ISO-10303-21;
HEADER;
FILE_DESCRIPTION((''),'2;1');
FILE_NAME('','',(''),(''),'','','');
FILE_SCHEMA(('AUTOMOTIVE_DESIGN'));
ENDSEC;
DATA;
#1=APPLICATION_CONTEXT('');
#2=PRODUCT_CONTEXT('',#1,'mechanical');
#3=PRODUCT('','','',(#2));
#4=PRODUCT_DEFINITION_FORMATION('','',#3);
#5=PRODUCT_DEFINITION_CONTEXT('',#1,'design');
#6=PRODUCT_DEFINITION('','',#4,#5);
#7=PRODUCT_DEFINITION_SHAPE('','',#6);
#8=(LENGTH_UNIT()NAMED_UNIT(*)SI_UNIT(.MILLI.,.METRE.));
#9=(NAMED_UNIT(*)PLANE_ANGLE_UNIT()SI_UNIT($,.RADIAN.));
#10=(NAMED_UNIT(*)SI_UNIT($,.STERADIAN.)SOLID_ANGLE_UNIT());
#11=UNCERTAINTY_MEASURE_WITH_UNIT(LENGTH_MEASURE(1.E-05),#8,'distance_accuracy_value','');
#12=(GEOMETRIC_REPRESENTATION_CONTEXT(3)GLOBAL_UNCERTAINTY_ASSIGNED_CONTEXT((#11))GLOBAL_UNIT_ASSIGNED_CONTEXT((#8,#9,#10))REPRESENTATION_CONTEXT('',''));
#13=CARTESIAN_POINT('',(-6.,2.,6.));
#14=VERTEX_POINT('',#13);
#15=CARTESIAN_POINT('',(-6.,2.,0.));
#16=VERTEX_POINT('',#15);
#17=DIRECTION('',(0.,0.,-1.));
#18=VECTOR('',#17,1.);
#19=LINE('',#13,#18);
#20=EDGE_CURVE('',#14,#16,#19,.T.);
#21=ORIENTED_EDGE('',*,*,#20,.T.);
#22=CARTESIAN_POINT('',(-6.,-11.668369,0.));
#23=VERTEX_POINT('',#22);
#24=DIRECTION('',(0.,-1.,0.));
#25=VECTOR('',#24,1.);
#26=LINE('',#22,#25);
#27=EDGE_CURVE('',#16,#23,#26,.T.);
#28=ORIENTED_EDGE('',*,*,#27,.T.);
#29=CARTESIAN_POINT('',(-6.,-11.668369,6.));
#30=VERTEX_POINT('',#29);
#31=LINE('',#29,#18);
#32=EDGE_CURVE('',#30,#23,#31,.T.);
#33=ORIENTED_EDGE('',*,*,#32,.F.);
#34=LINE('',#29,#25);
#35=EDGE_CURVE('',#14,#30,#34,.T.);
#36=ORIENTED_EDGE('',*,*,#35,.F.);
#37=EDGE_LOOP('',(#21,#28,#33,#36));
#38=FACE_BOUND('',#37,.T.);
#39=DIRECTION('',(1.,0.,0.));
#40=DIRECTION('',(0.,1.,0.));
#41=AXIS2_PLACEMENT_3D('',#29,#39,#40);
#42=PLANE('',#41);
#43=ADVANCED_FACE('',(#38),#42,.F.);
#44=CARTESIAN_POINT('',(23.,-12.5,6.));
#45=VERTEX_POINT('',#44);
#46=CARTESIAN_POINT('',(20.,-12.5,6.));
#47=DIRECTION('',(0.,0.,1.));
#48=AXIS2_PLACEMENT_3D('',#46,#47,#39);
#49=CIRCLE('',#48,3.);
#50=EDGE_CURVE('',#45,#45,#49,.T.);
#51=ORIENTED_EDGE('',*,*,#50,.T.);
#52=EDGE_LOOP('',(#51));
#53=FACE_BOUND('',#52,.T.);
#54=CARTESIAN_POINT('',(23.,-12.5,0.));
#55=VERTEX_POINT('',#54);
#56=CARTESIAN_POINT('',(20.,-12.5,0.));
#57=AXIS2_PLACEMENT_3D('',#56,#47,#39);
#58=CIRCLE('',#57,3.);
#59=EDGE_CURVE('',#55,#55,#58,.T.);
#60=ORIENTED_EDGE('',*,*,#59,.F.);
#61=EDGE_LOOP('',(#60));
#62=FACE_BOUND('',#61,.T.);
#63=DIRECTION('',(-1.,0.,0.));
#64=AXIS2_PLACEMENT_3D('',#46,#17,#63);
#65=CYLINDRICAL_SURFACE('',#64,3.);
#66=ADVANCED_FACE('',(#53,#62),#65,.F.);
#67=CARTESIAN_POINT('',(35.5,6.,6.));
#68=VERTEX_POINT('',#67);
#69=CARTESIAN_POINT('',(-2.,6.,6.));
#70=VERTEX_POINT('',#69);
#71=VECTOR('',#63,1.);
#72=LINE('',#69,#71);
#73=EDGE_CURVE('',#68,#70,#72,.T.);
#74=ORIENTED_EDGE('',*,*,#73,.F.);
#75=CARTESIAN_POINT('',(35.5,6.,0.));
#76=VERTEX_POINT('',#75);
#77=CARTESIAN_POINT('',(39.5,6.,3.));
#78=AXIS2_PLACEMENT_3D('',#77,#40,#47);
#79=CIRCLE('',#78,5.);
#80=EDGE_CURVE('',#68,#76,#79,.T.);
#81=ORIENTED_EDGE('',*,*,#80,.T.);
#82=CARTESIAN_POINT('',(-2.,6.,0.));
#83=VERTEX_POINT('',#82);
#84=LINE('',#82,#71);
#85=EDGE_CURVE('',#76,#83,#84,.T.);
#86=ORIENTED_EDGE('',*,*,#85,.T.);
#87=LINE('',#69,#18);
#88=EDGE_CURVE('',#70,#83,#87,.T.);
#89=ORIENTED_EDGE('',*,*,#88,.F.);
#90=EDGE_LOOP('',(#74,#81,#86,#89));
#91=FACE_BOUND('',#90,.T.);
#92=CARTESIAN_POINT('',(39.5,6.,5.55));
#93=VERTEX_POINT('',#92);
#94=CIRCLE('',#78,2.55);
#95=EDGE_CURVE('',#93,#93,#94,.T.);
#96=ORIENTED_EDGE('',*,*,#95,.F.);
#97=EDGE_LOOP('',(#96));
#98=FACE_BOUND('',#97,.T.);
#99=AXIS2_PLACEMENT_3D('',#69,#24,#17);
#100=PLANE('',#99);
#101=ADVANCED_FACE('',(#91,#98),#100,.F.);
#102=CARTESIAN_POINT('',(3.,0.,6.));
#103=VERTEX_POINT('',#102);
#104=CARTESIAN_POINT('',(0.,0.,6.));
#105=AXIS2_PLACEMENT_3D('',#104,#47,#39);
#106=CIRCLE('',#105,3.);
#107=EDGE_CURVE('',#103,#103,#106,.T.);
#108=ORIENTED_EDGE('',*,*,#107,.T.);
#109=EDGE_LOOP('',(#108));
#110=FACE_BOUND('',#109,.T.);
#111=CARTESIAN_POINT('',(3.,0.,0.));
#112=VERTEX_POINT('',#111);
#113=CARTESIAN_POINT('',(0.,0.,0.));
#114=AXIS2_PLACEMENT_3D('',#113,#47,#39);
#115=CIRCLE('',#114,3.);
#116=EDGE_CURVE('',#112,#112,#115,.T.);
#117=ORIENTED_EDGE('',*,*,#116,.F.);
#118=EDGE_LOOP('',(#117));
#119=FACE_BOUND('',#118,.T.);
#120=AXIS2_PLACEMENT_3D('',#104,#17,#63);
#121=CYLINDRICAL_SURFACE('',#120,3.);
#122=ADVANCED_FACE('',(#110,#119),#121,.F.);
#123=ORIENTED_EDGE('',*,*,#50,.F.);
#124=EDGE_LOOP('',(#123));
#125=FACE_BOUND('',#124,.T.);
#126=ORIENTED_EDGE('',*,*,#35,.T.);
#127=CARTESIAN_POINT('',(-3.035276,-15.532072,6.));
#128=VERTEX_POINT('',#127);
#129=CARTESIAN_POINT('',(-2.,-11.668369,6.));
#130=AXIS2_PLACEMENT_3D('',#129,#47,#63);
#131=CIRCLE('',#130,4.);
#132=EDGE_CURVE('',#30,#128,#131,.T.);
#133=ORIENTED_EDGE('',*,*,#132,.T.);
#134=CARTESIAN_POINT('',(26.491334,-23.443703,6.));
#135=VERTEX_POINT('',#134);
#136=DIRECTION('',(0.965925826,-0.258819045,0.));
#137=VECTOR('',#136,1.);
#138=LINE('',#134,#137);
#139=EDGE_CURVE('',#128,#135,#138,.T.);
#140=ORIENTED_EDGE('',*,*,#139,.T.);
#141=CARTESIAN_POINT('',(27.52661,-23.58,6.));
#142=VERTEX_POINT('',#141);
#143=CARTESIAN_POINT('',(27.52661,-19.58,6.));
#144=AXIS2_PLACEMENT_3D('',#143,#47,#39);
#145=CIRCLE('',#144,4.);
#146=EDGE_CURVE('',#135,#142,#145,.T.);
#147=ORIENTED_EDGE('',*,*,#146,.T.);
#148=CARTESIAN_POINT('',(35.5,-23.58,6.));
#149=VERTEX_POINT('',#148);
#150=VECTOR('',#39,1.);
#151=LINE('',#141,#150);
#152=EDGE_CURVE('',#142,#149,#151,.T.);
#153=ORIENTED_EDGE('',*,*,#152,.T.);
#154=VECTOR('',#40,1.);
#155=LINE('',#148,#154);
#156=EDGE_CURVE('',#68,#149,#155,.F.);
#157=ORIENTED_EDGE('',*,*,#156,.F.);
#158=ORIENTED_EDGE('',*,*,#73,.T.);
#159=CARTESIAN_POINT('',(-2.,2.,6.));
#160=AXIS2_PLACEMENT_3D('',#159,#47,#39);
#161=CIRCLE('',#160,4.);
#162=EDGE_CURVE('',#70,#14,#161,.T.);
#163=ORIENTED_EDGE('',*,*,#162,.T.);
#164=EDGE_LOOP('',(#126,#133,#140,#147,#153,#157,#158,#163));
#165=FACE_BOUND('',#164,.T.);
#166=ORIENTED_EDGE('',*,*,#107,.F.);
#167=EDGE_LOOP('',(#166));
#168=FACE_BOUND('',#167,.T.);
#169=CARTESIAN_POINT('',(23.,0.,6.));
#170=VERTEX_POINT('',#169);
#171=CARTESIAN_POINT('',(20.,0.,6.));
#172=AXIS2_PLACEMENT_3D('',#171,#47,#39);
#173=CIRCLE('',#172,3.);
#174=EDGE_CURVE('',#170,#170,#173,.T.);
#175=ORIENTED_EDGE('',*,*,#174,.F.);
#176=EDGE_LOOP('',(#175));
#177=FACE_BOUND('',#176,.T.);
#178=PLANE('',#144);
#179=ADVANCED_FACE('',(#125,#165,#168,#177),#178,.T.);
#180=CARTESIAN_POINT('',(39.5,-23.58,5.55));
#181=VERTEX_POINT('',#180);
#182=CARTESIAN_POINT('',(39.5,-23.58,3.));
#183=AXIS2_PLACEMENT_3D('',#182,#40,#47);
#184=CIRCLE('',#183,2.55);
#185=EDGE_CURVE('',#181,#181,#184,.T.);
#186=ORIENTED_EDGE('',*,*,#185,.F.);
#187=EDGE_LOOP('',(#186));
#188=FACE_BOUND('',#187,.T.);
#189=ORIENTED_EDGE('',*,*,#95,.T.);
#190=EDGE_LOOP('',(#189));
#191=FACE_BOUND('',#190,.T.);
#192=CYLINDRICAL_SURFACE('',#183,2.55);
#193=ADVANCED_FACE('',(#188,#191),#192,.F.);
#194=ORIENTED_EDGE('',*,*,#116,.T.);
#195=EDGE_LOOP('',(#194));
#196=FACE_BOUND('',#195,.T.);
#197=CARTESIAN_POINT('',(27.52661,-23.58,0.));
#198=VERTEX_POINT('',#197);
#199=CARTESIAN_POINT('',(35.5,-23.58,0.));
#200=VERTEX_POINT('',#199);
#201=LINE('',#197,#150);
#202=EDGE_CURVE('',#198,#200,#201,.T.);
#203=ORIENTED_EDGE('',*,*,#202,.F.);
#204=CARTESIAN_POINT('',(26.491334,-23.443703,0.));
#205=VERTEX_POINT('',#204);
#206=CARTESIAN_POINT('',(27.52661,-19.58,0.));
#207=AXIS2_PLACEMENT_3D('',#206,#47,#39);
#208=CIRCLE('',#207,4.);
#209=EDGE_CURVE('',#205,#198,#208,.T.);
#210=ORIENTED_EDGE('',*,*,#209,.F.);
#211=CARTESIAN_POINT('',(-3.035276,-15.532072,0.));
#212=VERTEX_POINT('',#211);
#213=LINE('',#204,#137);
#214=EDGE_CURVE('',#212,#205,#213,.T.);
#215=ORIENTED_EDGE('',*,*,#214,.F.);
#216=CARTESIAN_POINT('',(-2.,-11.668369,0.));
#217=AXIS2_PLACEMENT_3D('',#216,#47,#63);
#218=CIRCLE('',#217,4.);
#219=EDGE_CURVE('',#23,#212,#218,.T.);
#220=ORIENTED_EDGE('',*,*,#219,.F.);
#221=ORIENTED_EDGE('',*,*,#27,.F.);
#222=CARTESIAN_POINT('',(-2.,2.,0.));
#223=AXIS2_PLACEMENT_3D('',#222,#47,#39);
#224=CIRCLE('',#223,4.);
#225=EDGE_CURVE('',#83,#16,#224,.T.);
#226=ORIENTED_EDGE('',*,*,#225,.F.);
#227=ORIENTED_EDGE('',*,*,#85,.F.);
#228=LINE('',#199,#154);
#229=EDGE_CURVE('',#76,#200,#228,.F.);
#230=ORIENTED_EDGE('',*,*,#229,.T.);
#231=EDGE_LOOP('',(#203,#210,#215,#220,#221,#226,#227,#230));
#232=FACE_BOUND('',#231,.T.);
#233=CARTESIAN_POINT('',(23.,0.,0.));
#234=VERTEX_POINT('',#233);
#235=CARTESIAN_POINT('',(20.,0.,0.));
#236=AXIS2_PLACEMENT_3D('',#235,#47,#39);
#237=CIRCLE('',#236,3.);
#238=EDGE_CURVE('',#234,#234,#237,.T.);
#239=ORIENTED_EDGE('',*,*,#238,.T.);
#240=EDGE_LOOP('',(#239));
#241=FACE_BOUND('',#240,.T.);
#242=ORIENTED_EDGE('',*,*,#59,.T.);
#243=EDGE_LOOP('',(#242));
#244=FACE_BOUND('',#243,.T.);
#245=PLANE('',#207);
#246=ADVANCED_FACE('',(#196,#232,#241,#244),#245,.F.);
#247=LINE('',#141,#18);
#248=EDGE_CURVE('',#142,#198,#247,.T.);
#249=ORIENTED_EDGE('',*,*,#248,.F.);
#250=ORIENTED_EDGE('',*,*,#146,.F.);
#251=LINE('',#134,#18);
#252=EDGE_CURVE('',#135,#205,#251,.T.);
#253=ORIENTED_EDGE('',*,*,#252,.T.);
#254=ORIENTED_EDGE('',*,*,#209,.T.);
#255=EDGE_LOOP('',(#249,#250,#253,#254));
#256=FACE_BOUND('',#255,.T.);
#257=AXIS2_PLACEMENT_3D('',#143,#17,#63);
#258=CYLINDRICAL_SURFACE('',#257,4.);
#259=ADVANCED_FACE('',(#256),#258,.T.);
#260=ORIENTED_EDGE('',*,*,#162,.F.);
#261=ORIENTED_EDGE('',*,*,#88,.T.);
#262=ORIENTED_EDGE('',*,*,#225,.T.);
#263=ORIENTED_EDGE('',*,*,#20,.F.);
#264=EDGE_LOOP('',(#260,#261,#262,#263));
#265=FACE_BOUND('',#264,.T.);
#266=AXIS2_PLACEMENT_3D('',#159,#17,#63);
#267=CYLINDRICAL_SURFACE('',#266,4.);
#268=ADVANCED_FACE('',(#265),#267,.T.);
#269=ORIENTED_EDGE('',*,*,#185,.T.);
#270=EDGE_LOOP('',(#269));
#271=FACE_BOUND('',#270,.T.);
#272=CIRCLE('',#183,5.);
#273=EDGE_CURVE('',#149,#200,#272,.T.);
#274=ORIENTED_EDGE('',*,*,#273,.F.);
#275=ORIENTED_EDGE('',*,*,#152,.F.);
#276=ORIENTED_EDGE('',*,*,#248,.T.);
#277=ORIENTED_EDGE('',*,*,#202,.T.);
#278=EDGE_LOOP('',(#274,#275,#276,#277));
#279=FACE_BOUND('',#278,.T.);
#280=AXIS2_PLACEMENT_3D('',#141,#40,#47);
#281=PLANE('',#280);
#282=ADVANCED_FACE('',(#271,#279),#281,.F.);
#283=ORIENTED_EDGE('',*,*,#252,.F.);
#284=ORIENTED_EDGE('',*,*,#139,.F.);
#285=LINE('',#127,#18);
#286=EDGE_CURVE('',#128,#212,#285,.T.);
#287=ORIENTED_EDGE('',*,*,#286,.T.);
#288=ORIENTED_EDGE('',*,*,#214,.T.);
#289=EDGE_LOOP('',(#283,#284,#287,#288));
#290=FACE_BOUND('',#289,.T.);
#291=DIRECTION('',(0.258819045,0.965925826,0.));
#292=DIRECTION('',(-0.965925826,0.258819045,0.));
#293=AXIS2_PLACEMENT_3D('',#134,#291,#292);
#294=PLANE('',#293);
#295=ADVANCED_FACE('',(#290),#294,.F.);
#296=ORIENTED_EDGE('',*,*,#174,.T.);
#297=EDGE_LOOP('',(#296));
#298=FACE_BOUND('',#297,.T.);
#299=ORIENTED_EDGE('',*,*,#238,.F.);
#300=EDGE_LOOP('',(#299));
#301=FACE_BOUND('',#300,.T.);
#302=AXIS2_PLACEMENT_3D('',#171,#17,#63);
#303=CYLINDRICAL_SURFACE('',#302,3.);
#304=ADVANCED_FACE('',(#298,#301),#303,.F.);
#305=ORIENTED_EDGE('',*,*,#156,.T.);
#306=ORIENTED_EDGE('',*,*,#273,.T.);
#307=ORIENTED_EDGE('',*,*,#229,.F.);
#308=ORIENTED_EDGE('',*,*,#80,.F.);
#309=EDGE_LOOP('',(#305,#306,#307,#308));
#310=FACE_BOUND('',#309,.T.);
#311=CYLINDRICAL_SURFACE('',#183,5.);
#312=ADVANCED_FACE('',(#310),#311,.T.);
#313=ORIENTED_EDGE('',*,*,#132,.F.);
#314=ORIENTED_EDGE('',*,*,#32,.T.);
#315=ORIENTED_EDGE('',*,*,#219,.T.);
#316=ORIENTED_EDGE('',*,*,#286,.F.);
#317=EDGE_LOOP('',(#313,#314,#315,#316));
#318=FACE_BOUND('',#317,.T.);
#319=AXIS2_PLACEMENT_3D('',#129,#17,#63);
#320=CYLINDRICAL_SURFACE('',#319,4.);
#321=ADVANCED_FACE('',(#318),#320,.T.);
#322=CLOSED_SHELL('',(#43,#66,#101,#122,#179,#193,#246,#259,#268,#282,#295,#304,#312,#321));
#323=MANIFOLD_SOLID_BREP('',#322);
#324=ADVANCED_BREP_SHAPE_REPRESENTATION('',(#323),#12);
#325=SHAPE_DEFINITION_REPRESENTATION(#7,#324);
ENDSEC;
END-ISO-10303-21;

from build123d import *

# Parameters (mm, degrees)
SKETCH_2_R          = 3
EXTRUDE_1_DEPTH     = 6
SKETCH_3_R          = 5
EXTRUDE_2_DEPTH     = 29.58
SKETCH_4_R          = 2.55
CUT_EXTRUDE_1_DEPTH = 55.029865815


with BuildPart() as part:
    # 草图2 → 凸台-拉伸1 (new body)
    with BuildSketch(Plane.XY):
        with BuildLine():
            Line((26.49133381, -23.443703305), (-3.03527618, -15.532072003))
            ThreePointArc((-3.03527618, -15.532072003), (-5.173413361, -14.103414414), (-6, -11.668368698))
            Line((-6, -11.668368698), (-6, 2))
            ThreePointArc((-6, 2), (-4.828427125, 4.828427125), (-2, 6))
            Line((-2, 6), (39.5, 6))
            Line((39.5, 6), (39.5, -23.58))
            Line((39.5, -23.58), (27.52660999, -23.58))
            ThreePointArc((27.52660999, -23.58), (27.004505221, -23.545779445), (26.49133381, -23.443703305))
        make_face()
        Circle(SKETCH_2_R, mode=Mode.SUBTRACT)
        with Locations((20, 0)):
            Circle(SKETCH_2_R, mode=Mode.SUBTRACT)
        with Locations((20, -12.5)):
            Circle(SKETCH_2_R, mode=Mode.SUBTRACT)
    extrude(amount=EXTRUDE_1_DEPTH)

    # 草图3 → 凸台-拉伸2 (add, through all)
    with BuildSketch(Plane(origin=(0, 6, 0), x_dir=(1, 0, 0), z_dir=(0, 1, 0))):
        with Locations((39.5, -3)):
            Circle(SKETCH_3_R)
    extrude(amount=-EXTRUDE_2_DEPTH)

    # 草图4 → 切除-拉伸1 (cut, through all)
    with BuildSketch(Plane(origin=(0, 6, 0), x_dir=(1, 0, 0), z_dir=(0, 1, 0))):
        with Locations(Location((39.5, -3, 0), (0, 0, 270))):
            Circle(SKETCH_4_R)
    extrude(amount=-CUT_EXTRUDE_1_DEPTH, mode=Mode.SUBTRACT)


solid = part.part
